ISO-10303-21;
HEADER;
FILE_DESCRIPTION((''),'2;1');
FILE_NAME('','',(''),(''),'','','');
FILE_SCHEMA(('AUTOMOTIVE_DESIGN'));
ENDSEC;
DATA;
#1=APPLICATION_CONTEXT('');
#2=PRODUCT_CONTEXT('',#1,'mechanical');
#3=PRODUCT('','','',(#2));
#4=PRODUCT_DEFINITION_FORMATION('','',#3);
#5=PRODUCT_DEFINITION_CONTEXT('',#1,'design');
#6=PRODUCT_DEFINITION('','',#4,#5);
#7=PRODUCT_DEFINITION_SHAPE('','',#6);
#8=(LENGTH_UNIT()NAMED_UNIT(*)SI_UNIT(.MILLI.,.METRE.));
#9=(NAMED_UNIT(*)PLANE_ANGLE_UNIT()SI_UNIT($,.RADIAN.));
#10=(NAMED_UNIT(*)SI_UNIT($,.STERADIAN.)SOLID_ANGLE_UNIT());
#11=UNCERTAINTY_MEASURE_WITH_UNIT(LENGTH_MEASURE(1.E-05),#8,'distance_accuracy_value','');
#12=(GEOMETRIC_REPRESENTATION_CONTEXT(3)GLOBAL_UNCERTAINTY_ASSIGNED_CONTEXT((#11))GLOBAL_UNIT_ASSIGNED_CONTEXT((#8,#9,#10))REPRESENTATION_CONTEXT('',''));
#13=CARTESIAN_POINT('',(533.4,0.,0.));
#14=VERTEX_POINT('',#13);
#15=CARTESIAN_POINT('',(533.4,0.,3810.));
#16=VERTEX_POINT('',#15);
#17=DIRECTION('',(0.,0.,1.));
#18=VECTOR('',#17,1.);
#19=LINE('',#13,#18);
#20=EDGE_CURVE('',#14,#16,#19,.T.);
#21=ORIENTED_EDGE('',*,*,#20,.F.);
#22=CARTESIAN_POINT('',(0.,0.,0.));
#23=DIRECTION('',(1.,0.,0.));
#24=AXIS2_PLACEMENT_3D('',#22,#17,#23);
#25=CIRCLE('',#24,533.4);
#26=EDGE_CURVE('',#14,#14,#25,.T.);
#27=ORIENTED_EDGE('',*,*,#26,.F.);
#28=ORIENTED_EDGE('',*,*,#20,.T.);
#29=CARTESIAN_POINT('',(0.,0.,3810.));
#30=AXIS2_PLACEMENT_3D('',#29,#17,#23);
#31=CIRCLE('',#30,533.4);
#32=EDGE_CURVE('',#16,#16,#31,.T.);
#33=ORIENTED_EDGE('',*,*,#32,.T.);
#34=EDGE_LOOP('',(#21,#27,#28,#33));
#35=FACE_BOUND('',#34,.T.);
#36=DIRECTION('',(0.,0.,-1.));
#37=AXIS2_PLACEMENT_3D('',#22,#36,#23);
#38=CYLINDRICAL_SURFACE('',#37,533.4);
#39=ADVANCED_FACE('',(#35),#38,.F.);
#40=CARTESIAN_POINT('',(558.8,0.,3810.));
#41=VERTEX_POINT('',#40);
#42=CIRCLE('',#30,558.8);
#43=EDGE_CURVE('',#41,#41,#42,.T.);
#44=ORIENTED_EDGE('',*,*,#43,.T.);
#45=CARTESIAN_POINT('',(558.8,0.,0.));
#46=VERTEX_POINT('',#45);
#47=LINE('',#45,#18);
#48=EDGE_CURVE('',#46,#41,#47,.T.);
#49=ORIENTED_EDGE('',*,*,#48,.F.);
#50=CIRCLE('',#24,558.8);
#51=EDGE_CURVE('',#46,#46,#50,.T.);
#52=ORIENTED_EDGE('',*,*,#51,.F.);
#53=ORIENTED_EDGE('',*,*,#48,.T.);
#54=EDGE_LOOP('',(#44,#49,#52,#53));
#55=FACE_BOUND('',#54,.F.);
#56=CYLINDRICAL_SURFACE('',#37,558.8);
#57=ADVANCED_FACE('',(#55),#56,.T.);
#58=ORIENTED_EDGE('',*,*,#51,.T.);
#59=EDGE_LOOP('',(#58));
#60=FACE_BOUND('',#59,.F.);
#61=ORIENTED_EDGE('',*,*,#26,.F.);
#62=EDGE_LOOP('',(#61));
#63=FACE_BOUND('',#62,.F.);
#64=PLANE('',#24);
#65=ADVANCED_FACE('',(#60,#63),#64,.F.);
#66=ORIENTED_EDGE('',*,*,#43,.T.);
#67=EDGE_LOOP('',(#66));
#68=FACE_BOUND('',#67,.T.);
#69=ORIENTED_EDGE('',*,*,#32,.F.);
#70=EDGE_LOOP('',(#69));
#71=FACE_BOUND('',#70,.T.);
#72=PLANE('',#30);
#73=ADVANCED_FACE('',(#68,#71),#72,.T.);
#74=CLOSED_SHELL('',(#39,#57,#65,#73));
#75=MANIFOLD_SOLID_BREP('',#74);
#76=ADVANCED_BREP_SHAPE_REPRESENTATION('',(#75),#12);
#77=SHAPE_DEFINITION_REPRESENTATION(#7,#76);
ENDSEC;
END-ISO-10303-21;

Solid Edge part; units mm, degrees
sketch "Sketch1" plane through (0, 0, 0) normal (0, 0, 1) x (1, 0, 0)
  circle A0 centre (0, 0) radius 558.8
  circle A1 centre (0, 0) radius 533.4
extrude "Protrusion1" add sketch "Sketch1" along normal blind 3810
